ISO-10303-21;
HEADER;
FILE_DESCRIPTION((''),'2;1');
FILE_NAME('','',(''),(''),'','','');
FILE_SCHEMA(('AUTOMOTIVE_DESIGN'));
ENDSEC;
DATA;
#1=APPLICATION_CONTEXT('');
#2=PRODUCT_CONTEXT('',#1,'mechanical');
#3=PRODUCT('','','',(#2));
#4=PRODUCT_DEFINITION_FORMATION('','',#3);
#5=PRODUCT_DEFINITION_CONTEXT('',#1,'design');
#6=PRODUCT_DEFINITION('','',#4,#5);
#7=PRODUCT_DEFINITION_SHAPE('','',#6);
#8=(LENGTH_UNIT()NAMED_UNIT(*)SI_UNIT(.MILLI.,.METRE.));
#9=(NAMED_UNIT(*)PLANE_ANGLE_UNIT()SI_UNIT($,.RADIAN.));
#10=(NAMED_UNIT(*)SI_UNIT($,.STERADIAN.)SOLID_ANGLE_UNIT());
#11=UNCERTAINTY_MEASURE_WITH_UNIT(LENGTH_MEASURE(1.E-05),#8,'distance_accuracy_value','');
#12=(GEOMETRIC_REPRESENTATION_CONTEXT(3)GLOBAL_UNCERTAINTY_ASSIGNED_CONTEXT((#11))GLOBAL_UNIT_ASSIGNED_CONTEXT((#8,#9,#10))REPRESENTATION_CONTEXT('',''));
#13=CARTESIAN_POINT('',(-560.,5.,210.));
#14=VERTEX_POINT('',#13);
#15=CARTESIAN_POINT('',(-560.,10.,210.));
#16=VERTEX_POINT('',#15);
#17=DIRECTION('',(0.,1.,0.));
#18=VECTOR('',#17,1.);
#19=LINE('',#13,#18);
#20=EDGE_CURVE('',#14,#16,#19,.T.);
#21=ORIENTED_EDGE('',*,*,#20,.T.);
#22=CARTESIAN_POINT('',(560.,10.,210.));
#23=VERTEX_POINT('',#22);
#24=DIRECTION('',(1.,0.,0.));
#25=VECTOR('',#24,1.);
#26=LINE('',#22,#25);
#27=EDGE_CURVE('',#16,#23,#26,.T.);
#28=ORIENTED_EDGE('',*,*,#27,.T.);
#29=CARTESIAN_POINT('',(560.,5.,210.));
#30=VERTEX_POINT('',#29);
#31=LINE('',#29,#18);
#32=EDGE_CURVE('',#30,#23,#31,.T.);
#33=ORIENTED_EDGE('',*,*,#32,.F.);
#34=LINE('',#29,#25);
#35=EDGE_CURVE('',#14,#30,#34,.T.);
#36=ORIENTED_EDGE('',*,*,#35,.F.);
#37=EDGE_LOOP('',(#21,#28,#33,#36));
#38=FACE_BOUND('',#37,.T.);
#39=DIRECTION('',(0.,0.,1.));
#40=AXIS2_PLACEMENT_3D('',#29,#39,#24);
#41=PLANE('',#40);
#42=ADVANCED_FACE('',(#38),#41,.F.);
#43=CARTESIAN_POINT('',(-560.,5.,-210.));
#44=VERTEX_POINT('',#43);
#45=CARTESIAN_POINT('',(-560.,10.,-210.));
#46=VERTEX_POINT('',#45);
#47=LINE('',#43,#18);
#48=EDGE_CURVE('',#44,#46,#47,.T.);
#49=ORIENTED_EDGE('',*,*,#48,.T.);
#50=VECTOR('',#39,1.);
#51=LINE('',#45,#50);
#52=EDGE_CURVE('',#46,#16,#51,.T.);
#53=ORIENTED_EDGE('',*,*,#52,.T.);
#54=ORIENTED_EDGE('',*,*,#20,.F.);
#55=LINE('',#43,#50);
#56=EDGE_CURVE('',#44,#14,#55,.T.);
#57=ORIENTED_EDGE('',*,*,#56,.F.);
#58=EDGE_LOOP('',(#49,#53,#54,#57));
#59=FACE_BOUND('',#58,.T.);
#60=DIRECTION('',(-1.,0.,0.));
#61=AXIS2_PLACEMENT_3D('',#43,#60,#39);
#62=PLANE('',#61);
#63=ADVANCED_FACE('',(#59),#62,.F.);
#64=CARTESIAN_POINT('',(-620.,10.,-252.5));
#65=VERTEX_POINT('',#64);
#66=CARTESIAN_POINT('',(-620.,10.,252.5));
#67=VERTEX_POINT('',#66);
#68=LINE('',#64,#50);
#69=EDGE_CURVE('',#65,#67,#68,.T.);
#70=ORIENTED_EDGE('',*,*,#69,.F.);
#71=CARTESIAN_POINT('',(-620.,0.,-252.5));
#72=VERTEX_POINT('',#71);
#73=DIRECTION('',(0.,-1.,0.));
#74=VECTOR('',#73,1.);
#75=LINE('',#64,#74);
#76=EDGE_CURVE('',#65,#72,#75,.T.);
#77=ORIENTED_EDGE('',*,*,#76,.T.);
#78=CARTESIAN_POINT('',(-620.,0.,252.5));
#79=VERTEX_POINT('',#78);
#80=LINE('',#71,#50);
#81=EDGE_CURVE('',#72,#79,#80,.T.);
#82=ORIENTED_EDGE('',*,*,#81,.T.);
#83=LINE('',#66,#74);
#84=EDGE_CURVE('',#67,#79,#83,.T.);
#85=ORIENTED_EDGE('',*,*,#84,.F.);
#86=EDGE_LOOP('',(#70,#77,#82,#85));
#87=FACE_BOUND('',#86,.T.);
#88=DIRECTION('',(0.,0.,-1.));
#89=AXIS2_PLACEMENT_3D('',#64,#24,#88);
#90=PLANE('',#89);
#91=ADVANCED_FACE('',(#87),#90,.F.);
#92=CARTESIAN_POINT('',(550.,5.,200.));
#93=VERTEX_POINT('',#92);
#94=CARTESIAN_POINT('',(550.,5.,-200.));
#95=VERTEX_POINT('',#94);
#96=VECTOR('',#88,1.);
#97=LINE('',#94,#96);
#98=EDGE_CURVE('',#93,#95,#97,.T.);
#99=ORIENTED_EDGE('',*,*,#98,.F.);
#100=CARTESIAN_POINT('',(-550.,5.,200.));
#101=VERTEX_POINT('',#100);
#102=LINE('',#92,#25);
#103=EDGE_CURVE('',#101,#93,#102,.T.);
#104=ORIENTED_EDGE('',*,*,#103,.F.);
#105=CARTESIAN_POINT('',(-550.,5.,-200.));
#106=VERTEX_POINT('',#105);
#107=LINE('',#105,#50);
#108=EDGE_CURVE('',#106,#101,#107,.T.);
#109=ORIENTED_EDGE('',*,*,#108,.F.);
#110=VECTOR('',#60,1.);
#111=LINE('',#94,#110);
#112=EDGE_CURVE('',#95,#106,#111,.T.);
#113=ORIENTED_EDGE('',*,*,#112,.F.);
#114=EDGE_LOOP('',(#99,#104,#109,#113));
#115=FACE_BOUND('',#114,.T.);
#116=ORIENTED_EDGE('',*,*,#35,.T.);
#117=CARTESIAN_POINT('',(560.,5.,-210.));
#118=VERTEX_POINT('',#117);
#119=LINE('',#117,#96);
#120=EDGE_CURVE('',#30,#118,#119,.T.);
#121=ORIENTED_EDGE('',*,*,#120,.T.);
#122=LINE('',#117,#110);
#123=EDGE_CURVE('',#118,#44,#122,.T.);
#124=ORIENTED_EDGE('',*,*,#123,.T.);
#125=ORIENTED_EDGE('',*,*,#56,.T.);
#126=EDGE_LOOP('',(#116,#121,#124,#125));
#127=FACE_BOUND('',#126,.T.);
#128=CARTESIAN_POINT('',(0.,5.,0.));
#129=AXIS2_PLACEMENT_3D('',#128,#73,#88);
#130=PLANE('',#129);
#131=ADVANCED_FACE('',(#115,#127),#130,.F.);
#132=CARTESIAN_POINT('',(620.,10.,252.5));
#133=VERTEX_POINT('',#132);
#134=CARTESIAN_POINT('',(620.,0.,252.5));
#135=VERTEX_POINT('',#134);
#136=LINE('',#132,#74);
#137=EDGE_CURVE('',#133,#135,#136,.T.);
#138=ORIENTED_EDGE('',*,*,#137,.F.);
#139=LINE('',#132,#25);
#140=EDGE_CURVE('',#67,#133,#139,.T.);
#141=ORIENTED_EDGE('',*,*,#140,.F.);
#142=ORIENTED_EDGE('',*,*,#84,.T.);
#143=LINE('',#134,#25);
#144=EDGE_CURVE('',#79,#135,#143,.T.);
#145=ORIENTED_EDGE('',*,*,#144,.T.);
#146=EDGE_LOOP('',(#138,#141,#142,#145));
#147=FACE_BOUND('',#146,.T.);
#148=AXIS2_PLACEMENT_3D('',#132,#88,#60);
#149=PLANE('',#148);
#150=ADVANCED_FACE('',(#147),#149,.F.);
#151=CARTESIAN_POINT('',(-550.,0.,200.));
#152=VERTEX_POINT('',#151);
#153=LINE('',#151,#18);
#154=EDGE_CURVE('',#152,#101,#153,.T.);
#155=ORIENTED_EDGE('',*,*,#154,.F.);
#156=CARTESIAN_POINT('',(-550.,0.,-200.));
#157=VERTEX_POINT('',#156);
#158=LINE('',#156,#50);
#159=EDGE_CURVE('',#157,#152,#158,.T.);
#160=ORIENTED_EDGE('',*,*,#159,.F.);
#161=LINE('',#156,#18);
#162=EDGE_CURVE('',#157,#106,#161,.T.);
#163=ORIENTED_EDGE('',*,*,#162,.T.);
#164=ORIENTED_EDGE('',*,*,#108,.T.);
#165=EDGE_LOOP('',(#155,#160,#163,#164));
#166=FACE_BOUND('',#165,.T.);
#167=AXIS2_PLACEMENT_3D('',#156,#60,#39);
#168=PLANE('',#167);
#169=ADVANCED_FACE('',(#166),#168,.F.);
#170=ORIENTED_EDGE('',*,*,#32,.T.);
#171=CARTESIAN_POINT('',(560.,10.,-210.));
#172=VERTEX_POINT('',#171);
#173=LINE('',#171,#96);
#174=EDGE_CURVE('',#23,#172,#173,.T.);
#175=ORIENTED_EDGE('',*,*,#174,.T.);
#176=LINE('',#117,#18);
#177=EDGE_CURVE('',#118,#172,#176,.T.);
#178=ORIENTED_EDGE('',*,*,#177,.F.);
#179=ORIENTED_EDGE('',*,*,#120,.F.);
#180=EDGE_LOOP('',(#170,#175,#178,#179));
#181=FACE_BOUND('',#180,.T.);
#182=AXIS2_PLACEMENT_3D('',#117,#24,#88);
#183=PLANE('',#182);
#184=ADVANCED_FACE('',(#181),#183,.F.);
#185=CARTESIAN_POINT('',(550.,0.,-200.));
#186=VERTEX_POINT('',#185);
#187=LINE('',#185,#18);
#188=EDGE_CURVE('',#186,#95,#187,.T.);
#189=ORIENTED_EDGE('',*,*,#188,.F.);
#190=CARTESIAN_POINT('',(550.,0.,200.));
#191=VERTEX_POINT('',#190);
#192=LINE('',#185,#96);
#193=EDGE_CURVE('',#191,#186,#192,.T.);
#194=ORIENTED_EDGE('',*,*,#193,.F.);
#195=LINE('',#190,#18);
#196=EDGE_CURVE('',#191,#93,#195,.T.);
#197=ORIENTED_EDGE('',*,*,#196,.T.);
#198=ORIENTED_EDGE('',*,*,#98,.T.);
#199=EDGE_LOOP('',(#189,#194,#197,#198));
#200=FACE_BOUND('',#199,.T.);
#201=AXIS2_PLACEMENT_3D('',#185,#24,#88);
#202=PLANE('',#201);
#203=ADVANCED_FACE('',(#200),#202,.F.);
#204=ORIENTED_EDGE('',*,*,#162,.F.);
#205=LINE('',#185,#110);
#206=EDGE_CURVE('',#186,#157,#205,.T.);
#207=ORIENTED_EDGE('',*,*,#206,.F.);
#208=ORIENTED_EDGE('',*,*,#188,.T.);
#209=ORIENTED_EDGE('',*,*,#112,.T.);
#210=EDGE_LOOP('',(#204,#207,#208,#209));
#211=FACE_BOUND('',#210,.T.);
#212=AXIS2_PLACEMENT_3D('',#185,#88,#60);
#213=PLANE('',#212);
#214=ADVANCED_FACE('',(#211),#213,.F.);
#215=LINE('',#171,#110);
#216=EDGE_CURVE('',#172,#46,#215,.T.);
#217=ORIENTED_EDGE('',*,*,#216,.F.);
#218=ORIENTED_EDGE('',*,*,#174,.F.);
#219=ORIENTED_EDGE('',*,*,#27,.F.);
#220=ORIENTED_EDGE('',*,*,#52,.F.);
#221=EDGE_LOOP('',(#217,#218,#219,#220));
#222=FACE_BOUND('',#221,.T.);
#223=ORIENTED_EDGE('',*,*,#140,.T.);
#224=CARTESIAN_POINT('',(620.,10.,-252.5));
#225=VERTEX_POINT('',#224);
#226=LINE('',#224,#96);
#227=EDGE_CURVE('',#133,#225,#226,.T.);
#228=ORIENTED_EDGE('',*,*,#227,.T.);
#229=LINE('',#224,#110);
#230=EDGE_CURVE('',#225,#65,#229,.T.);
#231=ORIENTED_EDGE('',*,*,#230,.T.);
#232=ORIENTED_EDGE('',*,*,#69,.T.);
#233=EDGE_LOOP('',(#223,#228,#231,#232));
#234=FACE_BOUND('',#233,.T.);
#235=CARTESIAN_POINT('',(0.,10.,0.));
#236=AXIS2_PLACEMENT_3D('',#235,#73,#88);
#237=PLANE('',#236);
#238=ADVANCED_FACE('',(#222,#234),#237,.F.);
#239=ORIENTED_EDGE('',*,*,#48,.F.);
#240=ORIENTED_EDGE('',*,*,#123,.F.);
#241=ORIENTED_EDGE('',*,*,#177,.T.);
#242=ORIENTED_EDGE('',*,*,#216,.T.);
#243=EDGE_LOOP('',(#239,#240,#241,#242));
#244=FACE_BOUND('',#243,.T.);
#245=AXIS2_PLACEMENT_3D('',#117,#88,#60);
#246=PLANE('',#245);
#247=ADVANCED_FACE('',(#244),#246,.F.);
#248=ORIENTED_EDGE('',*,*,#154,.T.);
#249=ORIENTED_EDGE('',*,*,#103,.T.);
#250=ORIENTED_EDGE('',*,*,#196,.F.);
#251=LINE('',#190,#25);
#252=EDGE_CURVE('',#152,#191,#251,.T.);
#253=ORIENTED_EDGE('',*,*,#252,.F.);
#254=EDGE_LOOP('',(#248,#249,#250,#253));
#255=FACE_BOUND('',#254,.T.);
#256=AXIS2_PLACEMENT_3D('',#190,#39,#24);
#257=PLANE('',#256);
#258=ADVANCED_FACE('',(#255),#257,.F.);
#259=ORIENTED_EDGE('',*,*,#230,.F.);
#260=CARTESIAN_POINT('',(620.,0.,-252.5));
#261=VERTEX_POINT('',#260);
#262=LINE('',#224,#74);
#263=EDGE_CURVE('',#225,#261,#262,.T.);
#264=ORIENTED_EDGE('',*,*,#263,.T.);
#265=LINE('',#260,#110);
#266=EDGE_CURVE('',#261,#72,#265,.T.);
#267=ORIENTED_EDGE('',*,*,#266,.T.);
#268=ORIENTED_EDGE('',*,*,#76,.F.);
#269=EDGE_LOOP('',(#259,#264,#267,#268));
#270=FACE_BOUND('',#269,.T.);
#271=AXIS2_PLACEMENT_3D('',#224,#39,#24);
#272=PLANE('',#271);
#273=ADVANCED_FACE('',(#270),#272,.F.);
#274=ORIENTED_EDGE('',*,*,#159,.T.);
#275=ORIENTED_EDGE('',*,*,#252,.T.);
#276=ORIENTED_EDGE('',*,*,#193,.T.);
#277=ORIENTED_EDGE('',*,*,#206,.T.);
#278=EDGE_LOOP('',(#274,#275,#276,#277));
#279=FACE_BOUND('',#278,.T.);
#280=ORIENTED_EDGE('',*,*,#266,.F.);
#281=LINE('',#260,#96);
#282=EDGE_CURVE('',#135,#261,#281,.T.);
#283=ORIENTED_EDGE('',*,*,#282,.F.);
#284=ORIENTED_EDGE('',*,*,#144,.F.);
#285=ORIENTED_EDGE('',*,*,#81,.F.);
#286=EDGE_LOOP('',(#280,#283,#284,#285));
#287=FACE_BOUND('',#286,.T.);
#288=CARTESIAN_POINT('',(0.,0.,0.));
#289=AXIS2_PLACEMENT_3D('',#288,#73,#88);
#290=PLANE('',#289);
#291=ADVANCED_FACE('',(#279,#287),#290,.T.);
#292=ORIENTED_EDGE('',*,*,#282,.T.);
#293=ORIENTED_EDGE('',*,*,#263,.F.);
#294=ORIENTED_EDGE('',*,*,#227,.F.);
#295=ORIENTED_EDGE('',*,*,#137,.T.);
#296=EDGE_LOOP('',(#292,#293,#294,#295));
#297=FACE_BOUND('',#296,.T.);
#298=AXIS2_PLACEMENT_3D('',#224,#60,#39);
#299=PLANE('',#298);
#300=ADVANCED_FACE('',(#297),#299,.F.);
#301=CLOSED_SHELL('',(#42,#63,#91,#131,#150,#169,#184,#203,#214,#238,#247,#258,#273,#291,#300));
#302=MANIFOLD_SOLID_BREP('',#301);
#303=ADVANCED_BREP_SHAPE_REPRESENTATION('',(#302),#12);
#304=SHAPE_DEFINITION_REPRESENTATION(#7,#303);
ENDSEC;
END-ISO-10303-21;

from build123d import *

# Parameters (mm, degrees)
SKETCH1_W           = 1240
SKETCH1_H           = 505
BOSS_EXTRUDE1_DEPTH = 10
SKETCH2_W           = 1100
SKETCH2_H           = 400
CUT_EXTRUDE1_DEPTH  = 670.519417194
SKETCH3_W           = 1120
SKETCH3_H           = 420
CUT_EXTRUDE2_DEPTH  = 5


with BuildPart() as part:
    # Sketch1 → Boss-Extrude1 (new body)
    with BuildSketch(Plane(origin=(0, 0, 0), x_dir=(1, 0, 0), z_dir=(0, 1, 0))):
        Rectangle(SKETCH1_W, SKETCH1_H)
    extrude(amount=BOSS_EXTRUDE1_DEPTH)

    # Sketch2 → Cut-Extrude1 (cut, through all)
    with BuildSketch(Plane(origin=(0, 10, 0), x_dir=(1, 0, 0), z_dir=(0, 1, 0))):
        Rectangle(SKETCH2_W, SKETCH2_H)
    extrude(amount=-CUT_EXTRUDE1_DEPTH, mode=Mode.SUBTRACT)

    # Sketch3 → Cut-Extrude2 (cut)
    with BuildSketch(Plane(origin=(0, 10, 0), x_dir=(1, 0, 0), z_dir=(0, 1, 0))):
        Rectangle(SKETCH3_W, SKETCH3_H)
    extrude(amount=-CUT_EXTRUDE2_DEPTH, mode=Mode.SUBTRACT)


solid = part.part
